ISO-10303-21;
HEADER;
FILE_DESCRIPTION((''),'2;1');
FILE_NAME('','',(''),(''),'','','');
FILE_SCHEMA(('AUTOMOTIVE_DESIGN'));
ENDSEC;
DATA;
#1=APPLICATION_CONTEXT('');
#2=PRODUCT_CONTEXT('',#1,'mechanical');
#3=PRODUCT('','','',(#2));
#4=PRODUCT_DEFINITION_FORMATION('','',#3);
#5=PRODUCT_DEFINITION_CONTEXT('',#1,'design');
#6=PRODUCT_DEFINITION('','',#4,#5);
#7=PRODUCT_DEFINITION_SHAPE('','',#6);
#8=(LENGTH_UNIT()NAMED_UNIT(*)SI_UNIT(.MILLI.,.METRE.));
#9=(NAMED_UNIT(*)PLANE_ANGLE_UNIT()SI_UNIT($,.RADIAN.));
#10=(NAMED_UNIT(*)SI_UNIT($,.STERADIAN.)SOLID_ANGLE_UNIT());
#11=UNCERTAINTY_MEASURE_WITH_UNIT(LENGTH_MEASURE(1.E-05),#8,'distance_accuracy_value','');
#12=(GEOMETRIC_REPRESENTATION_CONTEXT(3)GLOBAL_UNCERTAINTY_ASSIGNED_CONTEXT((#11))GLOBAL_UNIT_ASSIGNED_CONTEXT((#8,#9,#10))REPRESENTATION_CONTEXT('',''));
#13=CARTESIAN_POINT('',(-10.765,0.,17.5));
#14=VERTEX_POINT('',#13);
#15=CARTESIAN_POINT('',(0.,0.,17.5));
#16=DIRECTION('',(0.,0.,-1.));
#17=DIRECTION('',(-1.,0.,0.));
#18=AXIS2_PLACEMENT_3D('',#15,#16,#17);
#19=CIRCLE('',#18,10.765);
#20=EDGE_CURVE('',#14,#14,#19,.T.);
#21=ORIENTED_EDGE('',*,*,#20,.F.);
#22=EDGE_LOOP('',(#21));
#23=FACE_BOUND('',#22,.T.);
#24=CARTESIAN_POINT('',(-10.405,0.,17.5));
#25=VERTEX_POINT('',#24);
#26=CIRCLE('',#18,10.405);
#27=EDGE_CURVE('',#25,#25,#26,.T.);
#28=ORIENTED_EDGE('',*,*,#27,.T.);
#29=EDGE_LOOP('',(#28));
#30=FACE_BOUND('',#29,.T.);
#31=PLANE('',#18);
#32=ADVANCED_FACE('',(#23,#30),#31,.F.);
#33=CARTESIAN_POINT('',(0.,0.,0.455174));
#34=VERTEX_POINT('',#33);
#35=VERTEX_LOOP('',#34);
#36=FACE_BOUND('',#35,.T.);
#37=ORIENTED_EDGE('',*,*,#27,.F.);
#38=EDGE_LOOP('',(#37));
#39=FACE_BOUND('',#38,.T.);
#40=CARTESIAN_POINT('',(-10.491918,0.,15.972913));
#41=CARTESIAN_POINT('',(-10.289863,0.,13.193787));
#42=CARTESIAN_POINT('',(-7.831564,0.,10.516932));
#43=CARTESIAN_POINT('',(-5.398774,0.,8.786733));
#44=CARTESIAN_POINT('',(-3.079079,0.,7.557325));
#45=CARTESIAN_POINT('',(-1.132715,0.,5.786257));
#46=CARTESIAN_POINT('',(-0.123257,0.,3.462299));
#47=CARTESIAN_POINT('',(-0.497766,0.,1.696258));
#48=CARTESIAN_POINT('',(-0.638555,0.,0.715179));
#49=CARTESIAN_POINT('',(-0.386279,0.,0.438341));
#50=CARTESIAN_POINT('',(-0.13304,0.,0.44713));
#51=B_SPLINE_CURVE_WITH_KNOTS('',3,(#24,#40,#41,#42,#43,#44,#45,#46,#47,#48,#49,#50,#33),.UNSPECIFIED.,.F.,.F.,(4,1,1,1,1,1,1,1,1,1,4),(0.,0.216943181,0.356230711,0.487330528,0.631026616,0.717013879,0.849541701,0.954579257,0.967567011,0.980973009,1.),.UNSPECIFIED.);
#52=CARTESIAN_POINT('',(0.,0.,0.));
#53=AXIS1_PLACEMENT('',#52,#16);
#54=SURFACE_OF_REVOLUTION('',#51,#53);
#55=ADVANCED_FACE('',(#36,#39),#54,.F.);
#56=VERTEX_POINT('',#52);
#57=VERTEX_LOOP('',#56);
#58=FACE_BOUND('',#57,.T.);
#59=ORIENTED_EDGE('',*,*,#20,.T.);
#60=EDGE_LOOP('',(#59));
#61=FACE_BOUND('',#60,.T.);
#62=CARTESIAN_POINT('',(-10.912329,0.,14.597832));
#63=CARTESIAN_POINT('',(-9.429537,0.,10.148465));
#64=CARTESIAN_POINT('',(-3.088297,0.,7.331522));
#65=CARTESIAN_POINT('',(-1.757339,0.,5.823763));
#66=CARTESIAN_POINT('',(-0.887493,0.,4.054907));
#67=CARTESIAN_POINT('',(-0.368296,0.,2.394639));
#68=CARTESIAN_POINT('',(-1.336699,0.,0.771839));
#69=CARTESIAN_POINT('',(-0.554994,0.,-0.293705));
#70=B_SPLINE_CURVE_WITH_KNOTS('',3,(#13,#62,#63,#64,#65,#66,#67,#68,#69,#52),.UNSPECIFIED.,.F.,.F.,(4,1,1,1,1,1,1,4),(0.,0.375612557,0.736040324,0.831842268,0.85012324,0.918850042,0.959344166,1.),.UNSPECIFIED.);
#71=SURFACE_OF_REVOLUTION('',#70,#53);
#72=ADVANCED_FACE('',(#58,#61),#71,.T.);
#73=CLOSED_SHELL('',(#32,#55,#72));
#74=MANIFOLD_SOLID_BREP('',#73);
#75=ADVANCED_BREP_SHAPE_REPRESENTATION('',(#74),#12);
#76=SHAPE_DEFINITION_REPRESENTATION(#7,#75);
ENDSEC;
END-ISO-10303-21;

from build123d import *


with BuildPart() as part:
    # Esboço1 → Revolução7 (revolve)
    with BuildSketch(Plane(origin=(0, 0, 0), x_dir=(1, 0, 0), z_dir=(0, 1, 0))):
        with BuildLine():
            Line((-10.765, -17.5), (-10.405, -17.5))
            add(Edge.make_bspline(
                [(-10.405, -17.5), (-10.491918376, -15.972913095), (-10.289862511, -13.193786618), (-7.831563539, -10.516932335), (-5.398773636, -8.786732695), (-3.079079494, -7.557324851), (-1.132715303, -5.786256977), (-0.123256744, -3.462298568), (-0.49776554, -1.696257639), (-0.638555031, -0.715178522), (-0.38627868, -0.438341377), (-0.133039806, -0.447130164), (0, -0.455174069)],
                knots=[0, 0, 0, 0, 0.216943181, 0.356230711, 0.487330528, 0.631026616, 0.717013879, 0.849541701, 0.954579257, 0.967567011, 0.980973009, 1, 1, 1, 1], degree=3))
            Line((0, -0.455174069), (0, 0))
            add(Edge.make_bspline(
                [(-10.765, -17.5), (-10.912328942, -14.597831521), (-9.429536644, -10.148464539), (-3.08829735, -7.331521693), (-1.757338515, -5.823762722), (-0.887493284, -4.054906644), (-0.368296125, -2.394638771), (-1.336699492, -0.77183869), (-0.554994154, 0.293704995), (0, 0)],
                knots=[0, 0, 0, 0, 0.375612557, 0.736040324, 0.831842268, 0.85012324, 0.918850042, 0.959344166, 1, 1, 1, 1], degree=3))
        make_face()
    revolve(axis=Axis((0, 0, 0), (0, 0, 1)))


solid = part.part
